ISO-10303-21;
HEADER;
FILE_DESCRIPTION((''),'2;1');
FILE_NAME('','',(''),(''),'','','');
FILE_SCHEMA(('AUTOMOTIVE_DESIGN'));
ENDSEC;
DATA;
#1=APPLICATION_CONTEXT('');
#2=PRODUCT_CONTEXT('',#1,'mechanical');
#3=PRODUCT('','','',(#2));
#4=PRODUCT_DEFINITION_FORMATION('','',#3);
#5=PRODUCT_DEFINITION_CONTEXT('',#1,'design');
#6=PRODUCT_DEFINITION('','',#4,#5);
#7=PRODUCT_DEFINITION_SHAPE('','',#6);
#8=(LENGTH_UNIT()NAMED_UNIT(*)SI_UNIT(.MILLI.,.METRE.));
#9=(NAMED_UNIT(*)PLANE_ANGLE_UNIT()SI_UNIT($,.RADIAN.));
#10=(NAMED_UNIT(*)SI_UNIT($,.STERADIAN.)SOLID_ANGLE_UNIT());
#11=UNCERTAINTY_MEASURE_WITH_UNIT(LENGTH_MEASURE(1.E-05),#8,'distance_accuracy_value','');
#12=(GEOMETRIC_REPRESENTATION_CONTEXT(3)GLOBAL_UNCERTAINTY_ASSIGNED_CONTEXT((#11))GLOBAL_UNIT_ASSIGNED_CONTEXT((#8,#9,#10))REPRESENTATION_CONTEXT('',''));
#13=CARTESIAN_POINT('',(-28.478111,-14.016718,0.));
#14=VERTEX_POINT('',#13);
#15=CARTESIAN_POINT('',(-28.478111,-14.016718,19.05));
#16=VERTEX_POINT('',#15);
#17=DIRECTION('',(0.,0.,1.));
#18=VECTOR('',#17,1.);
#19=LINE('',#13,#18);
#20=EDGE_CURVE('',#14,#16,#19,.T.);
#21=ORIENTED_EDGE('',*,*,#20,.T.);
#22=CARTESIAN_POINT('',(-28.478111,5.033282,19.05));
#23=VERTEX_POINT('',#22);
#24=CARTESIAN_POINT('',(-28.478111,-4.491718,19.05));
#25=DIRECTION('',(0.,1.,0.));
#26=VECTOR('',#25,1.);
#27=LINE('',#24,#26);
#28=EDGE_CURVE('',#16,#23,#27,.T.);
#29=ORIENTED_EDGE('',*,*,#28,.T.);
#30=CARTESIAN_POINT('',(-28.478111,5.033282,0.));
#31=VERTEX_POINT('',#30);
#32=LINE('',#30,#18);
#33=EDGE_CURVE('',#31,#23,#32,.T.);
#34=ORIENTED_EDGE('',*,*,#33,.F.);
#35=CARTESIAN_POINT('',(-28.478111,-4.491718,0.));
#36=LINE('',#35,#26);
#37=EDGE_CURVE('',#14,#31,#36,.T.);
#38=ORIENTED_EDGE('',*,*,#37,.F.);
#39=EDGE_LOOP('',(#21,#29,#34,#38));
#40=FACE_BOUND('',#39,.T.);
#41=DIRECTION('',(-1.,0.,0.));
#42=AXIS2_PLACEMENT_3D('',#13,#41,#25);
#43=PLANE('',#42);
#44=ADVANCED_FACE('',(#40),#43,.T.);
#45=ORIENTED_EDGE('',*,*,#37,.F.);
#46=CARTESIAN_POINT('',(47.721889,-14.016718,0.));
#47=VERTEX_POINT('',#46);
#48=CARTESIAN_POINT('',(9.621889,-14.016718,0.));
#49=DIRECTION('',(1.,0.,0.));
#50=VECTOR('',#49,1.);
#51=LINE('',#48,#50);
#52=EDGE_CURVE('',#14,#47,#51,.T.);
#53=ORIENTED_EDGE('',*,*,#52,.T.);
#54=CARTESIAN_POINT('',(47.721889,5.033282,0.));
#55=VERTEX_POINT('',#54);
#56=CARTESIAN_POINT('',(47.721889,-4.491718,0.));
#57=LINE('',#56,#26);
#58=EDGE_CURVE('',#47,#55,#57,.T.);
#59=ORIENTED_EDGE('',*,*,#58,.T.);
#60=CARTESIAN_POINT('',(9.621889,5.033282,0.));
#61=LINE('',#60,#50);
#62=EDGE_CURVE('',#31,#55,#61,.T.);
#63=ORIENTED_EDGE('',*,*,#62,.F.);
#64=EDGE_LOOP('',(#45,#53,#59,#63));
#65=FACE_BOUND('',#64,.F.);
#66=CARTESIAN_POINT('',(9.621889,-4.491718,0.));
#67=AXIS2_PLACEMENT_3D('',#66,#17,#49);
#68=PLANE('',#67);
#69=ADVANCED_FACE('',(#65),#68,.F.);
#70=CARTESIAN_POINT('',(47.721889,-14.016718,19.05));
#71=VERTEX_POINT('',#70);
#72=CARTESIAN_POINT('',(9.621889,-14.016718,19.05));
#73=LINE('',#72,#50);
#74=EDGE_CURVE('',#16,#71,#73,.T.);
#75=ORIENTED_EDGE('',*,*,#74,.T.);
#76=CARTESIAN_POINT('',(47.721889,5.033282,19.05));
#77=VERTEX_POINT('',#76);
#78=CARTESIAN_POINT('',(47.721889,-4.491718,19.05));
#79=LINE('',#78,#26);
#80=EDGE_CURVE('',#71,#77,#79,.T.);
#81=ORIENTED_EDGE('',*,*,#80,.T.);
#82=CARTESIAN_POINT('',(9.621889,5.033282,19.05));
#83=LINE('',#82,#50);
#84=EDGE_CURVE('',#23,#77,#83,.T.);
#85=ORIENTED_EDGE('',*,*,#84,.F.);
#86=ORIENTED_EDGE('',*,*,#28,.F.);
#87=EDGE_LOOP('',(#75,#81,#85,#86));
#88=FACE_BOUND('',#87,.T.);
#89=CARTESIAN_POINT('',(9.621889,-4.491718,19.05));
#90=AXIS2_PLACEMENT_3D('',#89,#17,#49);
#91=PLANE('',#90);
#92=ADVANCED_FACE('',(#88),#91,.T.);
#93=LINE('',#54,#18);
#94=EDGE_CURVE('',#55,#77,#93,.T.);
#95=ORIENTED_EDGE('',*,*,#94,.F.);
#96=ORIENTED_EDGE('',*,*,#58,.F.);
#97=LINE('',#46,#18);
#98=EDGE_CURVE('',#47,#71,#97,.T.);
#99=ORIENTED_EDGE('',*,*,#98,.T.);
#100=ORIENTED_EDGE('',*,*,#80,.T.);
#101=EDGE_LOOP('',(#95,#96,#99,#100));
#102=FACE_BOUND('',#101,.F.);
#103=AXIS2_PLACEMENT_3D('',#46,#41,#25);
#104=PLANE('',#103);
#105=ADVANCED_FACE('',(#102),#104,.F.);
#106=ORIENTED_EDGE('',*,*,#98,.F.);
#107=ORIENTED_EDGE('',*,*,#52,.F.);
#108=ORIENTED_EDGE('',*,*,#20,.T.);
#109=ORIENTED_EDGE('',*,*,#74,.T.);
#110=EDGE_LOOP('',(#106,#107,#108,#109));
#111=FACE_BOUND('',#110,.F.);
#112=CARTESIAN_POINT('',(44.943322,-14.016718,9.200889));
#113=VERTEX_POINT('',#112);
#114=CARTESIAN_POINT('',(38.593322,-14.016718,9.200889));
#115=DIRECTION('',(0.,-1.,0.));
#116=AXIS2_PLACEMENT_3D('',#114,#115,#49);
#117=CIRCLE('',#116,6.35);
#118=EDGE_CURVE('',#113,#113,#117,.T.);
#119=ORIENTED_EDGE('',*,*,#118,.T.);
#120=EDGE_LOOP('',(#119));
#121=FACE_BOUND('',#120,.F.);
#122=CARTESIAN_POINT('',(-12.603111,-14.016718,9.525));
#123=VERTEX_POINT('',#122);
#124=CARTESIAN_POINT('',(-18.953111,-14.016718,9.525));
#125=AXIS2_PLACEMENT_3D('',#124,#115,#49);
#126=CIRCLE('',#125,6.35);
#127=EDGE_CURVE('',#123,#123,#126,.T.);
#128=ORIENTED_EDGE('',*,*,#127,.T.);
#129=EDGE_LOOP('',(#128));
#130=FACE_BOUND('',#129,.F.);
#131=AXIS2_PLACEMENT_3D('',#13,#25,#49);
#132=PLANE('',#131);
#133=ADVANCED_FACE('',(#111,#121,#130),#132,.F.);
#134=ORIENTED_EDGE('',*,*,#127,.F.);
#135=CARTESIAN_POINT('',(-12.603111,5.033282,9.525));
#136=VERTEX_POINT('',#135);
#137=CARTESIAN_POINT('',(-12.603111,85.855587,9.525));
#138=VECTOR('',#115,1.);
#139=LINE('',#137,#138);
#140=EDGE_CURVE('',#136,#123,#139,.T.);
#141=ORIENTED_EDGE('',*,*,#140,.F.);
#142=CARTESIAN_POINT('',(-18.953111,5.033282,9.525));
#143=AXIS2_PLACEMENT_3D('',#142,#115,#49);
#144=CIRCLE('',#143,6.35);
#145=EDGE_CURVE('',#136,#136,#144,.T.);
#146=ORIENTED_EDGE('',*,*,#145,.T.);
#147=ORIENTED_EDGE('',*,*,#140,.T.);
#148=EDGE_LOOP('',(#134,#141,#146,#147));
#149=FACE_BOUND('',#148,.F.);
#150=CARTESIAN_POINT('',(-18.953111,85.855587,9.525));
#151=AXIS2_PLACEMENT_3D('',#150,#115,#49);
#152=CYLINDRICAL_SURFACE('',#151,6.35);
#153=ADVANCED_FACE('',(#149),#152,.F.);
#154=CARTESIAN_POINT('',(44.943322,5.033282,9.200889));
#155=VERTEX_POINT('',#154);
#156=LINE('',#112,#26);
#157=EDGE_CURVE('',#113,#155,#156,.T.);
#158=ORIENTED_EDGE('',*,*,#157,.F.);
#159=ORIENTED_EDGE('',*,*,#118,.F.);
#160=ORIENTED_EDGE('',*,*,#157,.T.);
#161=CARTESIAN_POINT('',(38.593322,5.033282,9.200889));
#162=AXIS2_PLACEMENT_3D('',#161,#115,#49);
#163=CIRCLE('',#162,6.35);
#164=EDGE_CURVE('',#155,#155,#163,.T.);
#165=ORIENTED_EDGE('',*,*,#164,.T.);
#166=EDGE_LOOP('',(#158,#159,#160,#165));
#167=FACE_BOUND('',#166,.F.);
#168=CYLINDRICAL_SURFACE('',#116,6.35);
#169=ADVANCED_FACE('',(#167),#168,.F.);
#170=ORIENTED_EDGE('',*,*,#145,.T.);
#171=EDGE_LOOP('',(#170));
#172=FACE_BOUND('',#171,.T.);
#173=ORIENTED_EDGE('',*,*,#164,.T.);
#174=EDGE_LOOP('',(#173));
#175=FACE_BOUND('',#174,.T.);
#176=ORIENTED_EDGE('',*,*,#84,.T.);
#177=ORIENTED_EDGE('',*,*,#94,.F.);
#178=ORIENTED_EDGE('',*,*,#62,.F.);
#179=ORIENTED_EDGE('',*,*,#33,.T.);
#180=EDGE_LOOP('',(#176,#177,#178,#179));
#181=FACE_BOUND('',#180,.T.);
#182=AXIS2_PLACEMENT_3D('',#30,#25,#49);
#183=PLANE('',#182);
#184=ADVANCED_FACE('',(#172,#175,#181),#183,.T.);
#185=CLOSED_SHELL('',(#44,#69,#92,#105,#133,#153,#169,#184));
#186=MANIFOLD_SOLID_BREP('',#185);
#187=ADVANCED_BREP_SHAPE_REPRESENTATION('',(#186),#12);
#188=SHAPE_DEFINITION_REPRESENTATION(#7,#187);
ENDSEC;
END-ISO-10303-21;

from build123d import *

# Parameters (mm, degrees)
F0_W     = 76.2
F0_H     = 19.05
F1_DEPTH = 19.05
F3_D     = 12.7
F4_R     = 6.35
F5_DEPTH = 51.054


with BuildPart() as f1:
    # F0 (on Top) → F1 (new body)
    with BuildSketch(Plane.XY):
        with Locations((9.621889, -4.491718)):
            Rectangle(F0_W, F0_H)
    extrude(amount=F1_DEPTH)

    # F3 (through all)
    with Locations(Plane(origin=(0, 5.033282, 0), x_dir=(-1, 0, 0), z_dir=(0, 1, 0))):
        with Locations((18.953111, 9.525)):
            Hole(F3_D / 2)

    # F4 (on face) → F5 (cut)
    with BuildSketch(Plane.XZ.offset(14.016718)):
        with Locations((38.593322, 9.200889)):
            Circle(F4_R)
    extrude(amount=-F5_DEPTH, mode=Mode.SUBTRACT)


solid = f1.part
